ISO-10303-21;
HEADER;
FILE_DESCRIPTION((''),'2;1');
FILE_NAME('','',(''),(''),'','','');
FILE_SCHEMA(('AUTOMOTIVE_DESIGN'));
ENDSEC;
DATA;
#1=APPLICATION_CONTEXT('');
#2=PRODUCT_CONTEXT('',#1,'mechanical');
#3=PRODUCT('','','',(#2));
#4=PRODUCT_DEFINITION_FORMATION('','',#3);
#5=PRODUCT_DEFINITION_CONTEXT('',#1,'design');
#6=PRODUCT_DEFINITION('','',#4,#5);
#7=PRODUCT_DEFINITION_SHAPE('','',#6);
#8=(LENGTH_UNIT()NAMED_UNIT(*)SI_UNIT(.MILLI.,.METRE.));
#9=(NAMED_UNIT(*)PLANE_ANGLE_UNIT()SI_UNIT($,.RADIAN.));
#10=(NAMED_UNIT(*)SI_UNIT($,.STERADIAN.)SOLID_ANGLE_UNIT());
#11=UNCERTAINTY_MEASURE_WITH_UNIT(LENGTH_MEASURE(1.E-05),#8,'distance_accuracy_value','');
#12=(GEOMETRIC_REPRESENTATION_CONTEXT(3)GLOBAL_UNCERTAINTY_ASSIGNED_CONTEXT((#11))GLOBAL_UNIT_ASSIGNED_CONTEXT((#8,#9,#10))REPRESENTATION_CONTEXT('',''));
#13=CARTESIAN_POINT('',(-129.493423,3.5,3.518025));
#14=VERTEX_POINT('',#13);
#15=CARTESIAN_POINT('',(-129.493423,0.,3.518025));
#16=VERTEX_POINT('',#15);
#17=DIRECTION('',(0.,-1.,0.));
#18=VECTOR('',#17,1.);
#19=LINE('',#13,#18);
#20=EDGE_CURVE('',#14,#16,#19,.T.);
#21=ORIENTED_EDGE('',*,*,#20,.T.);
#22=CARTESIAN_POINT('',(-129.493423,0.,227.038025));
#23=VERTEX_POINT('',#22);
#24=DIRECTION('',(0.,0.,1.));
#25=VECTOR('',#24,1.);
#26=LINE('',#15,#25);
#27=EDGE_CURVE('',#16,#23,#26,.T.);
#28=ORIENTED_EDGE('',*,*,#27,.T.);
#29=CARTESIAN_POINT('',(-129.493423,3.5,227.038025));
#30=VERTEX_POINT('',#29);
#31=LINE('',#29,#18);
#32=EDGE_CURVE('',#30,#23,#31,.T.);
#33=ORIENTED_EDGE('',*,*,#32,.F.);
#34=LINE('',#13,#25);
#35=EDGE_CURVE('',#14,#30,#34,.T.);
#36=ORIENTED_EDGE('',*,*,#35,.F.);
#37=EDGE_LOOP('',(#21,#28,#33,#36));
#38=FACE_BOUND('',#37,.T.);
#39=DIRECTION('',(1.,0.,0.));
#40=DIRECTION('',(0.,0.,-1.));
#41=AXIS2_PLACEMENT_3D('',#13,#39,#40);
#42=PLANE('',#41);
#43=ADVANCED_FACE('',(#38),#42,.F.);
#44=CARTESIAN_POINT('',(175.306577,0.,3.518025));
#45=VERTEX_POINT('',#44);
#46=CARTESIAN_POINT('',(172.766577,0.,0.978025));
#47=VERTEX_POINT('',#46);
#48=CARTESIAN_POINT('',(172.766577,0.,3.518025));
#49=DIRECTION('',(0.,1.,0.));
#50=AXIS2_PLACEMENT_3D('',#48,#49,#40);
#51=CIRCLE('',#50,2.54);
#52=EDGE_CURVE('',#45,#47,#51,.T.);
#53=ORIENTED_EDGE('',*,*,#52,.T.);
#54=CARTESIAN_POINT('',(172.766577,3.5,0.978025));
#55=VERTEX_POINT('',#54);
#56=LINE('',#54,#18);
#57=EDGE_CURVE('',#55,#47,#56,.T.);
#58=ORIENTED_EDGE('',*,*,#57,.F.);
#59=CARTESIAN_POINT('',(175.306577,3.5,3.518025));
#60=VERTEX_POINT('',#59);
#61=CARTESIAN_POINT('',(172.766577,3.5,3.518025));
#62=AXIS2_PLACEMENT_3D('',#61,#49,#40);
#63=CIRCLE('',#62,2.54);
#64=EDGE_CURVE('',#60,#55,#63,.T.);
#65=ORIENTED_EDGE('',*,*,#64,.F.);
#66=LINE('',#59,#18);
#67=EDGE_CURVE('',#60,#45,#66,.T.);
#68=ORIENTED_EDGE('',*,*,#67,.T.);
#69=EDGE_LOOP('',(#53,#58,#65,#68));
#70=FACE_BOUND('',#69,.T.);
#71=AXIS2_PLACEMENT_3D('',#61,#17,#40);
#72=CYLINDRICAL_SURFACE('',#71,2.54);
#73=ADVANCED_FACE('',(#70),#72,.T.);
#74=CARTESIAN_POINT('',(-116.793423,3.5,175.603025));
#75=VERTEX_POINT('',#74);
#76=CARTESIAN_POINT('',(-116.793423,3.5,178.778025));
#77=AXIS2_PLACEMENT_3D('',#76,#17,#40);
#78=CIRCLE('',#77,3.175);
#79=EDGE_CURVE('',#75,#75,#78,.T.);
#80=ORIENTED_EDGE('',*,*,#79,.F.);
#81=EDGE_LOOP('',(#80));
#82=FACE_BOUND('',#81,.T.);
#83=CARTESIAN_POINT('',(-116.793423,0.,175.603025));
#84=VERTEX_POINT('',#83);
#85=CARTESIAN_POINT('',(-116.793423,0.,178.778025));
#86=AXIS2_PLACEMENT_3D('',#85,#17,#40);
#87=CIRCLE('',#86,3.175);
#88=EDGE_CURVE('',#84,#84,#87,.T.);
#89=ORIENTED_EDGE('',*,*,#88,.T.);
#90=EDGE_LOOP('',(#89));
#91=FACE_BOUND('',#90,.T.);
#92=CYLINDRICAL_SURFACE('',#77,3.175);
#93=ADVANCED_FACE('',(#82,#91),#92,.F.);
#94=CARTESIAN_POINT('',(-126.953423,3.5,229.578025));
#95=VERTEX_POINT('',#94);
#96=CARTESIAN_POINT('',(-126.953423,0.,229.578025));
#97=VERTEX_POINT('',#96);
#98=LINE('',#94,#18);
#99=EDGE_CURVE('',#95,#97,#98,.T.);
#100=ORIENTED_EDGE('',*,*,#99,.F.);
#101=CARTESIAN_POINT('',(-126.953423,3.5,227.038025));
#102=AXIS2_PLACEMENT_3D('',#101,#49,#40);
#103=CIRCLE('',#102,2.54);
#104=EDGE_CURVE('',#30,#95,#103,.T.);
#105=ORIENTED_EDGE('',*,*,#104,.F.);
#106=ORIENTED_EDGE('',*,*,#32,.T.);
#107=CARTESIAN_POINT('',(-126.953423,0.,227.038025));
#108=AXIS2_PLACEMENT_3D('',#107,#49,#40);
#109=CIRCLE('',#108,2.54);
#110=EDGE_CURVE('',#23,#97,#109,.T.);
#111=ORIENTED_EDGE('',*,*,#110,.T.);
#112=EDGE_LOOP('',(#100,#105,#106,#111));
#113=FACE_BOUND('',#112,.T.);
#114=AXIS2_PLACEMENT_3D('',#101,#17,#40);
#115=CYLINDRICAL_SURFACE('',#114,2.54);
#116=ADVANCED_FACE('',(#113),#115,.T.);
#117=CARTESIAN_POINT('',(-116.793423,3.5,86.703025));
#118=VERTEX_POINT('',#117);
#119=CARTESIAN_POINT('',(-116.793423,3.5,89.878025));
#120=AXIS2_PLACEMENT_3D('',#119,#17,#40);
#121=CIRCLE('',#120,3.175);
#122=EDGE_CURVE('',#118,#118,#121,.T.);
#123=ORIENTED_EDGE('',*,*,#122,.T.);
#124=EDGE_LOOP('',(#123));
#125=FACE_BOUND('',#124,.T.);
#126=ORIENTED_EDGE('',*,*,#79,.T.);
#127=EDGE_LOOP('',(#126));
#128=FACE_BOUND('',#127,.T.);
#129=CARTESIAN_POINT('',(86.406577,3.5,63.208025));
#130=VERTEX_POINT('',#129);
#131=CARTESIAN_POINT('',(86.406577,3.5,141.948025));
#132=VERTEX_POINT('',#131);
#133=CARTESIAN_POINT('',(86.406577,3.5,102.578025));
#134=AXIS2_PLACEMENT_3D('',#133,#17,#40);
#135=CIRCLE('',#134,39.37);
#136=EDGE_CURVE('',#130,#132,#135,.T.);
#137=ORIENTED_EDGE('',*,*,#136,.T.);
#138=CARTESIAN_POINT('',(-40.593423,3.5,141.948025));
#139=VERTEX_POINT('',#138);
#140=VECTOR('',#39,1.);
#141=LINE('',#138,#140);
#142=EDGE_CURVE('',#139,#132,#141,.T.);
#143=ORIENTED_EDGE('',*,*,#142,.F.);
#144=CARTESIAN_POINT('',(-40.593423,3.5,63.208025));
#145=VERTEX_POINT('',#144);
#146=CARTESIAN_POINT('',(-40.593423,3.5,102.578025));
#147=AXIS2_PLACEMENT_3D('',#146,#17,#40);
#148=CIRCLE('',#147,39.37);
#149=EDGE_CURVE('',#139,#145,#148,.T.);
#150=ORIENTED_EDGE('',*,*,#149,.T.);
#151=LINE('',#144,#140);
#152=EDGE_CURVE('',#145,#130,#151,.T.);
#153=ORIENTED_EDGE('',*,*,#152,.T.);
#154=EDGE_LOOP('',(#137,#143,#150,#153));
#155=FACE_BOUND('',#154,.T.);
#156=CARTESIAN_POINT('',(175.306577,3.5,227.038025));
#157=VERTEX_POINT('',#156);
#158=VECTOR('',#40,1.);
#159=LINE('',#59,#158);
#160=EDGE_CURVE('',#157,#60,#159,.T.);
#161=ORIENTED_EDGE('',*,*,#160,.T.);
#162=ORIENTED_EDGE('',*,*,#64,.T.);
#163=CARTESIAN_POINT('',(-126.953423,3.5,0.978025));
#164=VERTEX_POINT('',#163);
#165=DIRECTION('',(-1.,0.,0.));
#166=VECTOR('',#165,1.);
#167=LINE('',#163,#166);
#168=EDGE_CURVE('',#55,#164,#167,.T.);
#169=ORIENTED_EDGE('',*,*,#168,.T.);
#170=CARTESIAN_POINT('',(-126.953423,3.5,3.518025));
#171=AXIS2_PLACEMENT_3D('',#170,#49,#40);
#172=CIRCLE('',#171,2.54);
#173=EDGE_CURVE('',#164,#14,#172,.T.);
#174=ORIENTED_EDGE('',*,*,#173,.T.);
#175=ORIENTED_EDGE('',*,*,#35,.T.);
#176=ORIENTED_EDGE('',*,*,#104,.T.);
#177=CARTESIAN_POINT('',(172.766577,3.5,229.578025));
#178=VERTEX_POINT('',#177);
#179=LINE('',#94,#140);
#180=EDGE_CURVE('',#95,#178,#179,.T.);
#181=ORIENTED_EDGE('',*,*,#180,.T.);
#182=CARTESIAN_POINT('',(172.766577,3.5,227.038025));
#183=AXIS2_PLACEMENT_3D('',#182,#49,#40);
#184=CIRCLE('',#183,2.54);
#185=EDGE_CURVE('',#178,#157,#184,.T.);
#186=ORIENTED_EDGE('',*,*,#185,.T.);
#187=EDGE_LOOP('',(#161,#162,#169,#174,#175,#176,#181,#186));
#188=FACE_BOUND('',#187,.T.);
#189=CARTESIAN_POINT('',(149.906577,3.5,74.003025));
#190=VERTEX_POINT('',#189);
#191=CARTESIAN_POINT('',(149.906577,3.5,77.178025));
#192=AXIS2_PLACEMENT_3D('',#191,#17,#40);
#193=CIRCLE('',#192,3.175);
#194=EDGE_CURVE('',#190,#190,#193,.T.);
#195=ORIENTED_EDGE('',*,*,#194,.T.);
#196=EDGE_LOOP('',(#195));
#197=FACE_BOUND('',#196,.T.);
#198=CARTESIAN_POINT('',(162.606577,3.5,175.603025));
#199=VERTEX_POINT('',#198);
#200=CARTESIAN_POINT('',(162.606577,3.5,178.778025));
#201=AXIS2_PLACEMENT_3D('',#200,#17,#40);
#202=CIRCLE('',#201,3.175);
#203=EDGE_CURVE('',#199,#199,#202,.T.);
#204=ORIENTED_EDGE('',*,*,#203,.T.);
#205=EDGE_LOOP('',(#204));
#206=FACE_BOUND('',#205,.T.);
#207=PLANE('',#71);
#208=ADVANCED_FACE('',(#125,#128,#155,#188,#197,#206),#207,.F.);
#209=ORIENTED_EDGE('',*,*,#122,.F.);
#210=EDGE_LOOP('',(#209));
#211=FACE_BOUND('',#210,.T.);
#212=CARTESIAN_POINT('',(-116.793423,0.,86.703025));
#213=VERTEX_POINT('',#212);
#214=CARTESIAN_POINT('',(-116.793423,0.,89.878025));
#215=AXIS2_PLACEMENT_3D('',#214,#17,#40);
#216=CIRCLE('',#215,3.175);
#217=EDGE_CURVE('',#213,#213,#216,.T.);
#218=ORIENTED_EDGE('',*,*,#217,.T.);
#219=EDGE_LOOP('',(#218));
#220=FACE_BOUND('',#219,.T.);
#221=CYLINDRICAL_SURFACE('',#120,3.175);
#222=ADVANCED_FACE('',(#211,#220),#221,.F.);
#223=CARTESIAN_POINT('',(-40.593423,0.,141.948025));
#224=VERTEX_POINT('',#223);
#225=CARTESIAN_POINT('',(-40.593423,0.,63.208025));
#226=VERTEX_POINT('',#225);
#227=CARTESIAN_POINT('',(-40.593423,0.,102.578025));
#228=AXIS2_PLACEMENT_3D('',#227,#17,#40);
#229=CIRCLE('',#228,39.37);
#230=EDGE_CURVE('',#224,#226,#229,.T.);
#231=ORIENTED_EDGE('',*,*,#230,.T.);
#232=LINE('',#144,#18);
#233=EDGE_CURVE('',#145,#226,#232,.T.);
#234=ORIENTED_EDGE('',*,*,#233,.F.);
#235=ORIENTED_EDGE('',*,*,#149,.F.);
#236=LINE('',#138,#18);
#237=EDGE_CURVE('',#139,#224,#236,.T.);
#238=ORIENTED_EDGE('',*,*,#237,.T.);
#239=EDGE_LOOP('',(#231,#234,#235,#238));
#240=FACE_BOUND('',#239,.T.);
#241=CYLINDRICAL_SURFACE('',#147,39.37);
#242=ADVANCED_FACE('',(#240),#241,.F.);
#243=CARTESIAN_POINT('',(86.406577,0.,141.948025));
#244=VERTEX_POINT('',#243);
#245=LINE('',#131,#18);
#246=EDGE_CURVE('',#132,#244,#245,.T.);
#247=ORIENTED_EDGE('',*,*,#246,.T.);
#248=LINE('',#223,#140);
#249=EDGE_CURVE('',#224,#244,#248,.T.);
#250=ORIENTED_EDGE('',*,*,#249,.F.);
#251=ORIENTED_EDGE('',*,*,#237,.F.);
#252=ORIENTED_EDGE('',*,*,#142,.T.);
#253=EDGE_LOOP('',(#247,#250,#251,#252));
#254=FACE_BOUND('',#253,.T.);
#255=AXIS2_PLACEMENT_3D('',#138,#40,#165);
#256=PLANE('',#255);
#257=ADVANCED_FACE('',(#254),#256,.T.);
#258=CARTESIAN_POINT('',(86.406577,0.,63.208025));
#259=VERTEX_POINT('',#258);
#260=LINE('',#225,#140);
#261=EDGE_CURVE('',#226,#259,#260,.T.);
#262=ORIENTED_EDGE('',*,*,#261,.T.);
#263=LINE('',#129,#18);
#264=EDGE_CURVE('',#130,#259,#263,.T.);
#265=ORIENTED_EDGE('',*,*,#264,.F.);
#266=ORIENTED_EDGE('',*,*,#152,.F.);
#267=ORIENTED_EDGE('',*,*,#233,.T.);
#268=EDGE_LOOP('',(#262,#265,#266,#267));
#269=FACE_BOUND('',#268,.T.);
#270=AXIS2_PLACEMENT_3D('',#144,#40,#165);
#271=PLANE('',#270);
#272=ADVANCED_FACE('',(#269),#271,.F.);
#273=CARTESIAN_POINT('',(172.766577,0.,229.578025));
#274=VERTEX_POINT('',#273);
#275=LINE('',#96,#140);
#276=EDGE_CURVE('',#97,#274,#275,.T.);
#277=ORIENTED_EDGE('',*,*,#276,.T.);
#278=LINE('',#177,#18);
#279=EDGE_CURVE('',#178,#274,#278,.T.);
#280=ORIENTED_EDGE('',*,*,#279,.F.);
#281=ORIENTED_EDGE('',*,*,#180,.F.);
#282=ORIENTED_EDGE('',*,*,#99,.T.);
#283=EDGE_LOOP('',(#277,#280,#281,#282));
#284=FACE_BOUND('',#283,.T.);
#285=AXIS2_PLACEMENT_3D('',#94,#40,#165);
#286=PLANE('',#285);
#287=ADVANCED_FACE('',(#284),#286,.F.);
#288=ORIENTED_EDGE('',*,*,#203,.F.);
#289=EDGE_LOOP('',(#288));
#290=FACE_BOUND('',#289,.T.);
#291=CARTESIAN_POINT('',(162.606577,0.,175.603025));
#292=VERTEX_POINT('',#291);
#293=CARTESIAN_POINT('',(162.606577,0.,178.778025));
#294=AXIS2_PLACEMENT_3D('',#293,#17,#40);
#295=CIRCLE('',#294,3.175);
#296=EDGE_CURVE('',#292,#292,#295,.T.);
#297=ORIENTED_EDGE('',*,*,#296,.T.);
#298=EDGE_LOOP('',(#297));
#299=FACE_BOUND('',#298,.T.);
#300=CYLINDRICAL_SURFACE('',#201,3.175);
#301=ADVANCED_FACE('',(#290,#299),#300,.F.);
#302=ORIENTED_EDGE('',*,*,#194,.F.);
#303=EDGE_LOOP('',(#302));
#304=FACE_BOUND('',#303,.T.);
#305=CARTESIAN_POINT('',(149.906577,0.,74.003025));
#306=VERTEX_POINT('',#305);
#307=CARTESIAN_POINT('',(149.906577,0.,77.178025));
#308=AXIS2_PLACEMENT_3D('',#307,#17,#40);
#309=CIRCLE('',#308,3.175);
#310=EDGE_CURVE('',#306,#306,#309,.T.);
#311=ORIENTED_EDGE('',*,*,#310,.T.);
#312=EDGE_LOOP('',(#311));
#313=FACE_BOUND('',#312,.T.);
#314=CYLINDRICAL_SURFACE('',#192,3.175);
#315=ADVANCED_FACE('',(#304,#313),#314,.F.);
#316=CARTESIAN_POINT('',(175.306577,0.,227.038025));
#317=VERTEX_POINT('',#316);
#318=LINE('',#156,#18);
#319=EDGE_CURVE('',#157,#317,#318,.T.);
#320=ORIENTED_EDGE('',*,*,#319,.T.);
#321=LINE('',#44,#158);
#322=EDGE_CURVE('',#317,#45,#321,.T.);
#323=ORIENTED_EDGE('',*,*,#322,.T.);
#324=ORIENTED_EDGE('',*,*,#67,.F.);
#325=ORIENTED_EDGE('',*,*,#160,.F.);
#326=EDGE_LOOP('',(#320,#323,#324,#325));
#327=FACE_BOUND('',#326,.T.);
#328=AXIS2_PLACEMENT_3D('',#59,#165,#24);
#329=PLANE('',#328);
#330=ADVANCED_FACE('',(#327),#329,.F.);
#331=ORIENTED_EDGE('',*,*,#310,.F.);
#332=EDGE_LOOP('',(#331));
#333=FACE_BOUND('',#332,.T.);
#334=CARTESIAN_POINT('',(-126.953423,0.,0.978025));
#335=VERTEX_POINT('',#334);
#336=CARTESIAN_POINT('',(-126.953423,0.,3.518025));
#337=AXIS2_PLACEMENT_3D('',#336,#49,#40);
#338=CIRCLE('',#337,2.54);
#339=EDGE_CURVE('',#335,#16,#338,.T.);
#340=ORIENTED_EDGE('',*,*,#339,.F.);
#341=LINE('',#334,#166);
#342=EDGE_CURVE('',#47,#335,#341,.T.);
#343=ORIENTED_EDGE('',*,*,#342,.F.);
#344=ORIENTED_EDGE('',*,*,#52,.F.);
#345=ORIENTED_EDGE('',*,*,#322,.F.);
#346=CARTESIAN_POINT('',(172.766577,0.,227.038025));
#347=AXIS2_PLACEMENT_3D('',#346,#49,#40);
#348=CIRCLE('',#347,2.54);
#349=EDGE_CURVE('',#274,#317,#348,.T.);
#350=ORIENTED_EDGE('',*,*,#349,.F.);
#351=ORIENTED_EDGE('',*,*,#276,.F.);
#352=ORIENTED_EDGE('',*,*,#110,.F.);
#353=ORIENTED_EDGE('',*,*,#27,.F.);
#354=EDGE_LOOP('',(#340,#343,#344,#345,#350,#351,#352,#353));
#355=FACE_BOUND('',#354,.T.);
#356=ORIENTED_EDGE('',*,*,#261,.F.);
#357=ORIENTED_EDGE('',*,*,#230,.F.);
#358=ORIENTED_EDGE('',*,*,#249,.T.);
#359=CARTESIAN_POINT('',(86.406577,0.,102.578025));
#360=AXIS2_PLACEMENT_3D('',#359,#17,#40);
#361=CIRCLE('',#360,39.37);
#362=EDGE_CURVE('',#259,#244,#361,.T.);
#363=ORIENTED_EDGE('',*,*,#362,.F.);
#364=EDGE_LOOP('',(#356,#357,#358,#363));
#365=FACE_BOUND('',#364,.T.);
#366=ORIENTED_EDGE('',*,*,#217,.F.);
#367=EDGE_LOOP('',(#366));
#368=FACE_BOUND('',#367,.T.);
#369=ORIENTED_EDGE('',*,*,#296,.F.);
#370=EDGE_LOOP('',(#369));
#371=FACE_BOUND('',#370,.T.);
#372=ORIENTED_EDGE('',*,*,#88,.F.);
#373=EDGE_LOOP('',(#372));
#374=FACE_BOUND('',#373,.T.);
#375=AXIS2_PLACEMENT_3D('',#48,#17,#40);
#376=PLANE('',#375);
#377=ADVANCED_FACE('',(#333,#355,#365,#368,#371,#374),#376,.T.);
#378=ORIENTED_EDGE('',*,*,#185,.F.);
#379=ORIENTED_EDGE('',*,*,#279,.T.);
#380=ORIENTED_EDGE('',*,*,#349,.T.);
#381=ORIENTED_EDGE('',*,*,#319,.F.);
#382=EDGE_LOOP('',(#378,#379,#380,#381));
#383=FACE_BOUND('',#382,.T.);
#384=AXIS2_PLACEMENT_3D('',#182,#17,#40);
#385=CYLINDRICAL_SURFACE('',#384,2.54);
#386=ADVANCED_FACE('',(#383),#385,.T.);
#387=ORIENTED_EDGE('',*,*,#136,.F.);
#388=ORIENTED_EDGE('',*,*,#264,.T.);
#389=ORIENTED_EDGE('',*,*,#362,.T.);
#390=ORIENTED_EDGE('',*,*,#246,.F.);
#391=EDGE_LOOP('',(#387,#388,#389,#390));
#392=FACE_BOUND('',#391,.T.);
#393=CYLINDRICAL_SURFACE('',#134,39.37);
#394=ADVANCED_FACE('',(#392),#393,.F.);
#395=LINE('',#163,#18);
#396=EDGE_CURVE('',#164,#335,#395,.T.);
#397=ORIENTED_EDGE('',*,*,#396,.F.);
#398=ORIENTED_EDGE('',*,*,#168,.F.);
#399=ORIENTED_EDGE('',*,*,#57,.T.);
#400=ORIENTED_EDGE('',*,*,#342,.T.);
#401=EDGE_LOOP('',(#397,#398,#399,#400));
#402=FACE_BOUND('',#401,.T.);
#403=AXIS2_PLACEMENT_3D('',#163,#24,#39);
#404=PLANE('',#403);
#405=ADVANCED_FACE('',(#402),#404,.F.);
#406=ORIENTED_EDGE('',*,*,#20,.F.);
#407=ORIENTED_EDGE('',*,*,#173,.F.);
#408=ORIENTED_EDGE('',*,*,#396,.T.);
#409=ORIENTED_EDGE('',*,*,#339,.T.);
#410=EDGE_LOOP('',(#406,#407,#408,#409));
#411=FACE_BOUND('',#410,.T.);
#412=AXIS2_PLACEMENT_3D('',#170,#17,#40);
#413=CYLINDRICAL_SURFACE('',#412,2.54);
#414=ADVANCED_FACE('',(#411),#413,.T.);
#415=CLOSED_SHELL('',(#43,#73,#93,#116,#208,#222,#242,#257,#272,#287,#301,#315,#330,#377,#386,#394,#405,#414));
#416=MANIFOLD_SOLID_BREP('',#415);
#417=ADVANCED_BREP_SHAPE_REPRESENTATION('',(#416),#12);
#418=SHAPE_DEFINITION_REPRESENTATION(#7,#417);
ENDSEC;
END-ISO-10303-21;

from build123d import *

# Parameters (mm, degrees)
BOSS_EXTRUDE1_DEPTH = 3.5
CUT_EXTRUDE7_DEPTH  = 289.878374321
SKETCH8_R           = 3.175
CUT_EXTRUDE8_DEPTH  = 289.878374321


with BuildPart() as part:
    # Sketch1 → Boss-Extrude1 (new body)
    with BuildSketch(Plane(origin=(0, 0, 0), x_dir=(1, 0, 0), z_dir=(0, 1, 0))):
        with BuildLine():
            Line((-126.953423408, -0.978024545), (172.766576592, -0.978024545))
            ThreePointArc((172.766576592, -0.978024545), (174.562627816, -1.721973321), (175.306576592, -3.518024545))
            Line((175.306576592, -3.518024545), (175.306576592, -227.038024545))
            ThreePointArc((175.306576592, -227.038024545), (174.562627816, -228.834075769), (172.766576592, -229.578024545))
            Line((172.766576592, -229.578024545), (-126.953423408, -229.578024545))
            ThreePointArc((-126.953423408, -229.578024545), (-128.749474632, -228.834075769), (-129.493423408, -227.038024545))
            Line((-129.493423408, -227.038024545), (-129.493423408, -3.518024545))
            ThreePointArc((-129.493423408, -3.518024545), (-128.749474632, -1.721973321), (-126.953423408, -0.978024545))
        make_face()
    extrude(amount=BOSS_EXTRUDE1_DEPTH)

    # Sketch7 → Cut-Extrude7 (cut, through all)
    with BuildSketch(Plane(origin=(0, 0, 0), x_dir=(-1, 0, 0), z_dir=(0, -1, 0))):
        with BuildLine():
            Line((40.593423408, -141.948024545), (-86.406576592, -141.948024545))
            ThreePointArc((-86.406576592, -141.948024545), (-125.776576592, -102.578024545), (-86.406576592, -63.208024545))
            Line((-86.406576592, -63.208024545), (40.593423408, -63.208024545))
            ThreePointArc((40.593423408, -63.208024545), (79.963423408, -102.578024545), (40.593423408, -141.948024545))
        make_face()
    extrude(amount=-CUT_EXTRUDE7_DEPTH, mode=Mode.SUBTRACT)

    # Sketch8 → Cut-Extrude8 (cut, through all)
    with BuildSketch(Plane(origin=(0, 0, 0), x_dir=(-1, 0, 0), z_dir=(0, -1, 0))):
        with Locations(Location((-149.906576592, -77.178024545, 0), (0, 0, 90))):
            Circle(SKETCH8_R)
        with Locations(Location((116.793423408, -89.878024545, 0), (0, 0, 90))):
            Circle(SKETCH8_R)
        with Locations(Location((116.793423408, -178.778024545, 0), (0, 0, 90))):
            Circle(SKETCH8_R)
        with Locations(Location((-162.606576592, -178.778024545, 0), (0, 0, 90))):
            Circle(SKETCH8_R)
    extrude(amount=-CUT_EXTRUDE8_DEPTH, mode=Mode.SUBTRACT)


solid = part.part
